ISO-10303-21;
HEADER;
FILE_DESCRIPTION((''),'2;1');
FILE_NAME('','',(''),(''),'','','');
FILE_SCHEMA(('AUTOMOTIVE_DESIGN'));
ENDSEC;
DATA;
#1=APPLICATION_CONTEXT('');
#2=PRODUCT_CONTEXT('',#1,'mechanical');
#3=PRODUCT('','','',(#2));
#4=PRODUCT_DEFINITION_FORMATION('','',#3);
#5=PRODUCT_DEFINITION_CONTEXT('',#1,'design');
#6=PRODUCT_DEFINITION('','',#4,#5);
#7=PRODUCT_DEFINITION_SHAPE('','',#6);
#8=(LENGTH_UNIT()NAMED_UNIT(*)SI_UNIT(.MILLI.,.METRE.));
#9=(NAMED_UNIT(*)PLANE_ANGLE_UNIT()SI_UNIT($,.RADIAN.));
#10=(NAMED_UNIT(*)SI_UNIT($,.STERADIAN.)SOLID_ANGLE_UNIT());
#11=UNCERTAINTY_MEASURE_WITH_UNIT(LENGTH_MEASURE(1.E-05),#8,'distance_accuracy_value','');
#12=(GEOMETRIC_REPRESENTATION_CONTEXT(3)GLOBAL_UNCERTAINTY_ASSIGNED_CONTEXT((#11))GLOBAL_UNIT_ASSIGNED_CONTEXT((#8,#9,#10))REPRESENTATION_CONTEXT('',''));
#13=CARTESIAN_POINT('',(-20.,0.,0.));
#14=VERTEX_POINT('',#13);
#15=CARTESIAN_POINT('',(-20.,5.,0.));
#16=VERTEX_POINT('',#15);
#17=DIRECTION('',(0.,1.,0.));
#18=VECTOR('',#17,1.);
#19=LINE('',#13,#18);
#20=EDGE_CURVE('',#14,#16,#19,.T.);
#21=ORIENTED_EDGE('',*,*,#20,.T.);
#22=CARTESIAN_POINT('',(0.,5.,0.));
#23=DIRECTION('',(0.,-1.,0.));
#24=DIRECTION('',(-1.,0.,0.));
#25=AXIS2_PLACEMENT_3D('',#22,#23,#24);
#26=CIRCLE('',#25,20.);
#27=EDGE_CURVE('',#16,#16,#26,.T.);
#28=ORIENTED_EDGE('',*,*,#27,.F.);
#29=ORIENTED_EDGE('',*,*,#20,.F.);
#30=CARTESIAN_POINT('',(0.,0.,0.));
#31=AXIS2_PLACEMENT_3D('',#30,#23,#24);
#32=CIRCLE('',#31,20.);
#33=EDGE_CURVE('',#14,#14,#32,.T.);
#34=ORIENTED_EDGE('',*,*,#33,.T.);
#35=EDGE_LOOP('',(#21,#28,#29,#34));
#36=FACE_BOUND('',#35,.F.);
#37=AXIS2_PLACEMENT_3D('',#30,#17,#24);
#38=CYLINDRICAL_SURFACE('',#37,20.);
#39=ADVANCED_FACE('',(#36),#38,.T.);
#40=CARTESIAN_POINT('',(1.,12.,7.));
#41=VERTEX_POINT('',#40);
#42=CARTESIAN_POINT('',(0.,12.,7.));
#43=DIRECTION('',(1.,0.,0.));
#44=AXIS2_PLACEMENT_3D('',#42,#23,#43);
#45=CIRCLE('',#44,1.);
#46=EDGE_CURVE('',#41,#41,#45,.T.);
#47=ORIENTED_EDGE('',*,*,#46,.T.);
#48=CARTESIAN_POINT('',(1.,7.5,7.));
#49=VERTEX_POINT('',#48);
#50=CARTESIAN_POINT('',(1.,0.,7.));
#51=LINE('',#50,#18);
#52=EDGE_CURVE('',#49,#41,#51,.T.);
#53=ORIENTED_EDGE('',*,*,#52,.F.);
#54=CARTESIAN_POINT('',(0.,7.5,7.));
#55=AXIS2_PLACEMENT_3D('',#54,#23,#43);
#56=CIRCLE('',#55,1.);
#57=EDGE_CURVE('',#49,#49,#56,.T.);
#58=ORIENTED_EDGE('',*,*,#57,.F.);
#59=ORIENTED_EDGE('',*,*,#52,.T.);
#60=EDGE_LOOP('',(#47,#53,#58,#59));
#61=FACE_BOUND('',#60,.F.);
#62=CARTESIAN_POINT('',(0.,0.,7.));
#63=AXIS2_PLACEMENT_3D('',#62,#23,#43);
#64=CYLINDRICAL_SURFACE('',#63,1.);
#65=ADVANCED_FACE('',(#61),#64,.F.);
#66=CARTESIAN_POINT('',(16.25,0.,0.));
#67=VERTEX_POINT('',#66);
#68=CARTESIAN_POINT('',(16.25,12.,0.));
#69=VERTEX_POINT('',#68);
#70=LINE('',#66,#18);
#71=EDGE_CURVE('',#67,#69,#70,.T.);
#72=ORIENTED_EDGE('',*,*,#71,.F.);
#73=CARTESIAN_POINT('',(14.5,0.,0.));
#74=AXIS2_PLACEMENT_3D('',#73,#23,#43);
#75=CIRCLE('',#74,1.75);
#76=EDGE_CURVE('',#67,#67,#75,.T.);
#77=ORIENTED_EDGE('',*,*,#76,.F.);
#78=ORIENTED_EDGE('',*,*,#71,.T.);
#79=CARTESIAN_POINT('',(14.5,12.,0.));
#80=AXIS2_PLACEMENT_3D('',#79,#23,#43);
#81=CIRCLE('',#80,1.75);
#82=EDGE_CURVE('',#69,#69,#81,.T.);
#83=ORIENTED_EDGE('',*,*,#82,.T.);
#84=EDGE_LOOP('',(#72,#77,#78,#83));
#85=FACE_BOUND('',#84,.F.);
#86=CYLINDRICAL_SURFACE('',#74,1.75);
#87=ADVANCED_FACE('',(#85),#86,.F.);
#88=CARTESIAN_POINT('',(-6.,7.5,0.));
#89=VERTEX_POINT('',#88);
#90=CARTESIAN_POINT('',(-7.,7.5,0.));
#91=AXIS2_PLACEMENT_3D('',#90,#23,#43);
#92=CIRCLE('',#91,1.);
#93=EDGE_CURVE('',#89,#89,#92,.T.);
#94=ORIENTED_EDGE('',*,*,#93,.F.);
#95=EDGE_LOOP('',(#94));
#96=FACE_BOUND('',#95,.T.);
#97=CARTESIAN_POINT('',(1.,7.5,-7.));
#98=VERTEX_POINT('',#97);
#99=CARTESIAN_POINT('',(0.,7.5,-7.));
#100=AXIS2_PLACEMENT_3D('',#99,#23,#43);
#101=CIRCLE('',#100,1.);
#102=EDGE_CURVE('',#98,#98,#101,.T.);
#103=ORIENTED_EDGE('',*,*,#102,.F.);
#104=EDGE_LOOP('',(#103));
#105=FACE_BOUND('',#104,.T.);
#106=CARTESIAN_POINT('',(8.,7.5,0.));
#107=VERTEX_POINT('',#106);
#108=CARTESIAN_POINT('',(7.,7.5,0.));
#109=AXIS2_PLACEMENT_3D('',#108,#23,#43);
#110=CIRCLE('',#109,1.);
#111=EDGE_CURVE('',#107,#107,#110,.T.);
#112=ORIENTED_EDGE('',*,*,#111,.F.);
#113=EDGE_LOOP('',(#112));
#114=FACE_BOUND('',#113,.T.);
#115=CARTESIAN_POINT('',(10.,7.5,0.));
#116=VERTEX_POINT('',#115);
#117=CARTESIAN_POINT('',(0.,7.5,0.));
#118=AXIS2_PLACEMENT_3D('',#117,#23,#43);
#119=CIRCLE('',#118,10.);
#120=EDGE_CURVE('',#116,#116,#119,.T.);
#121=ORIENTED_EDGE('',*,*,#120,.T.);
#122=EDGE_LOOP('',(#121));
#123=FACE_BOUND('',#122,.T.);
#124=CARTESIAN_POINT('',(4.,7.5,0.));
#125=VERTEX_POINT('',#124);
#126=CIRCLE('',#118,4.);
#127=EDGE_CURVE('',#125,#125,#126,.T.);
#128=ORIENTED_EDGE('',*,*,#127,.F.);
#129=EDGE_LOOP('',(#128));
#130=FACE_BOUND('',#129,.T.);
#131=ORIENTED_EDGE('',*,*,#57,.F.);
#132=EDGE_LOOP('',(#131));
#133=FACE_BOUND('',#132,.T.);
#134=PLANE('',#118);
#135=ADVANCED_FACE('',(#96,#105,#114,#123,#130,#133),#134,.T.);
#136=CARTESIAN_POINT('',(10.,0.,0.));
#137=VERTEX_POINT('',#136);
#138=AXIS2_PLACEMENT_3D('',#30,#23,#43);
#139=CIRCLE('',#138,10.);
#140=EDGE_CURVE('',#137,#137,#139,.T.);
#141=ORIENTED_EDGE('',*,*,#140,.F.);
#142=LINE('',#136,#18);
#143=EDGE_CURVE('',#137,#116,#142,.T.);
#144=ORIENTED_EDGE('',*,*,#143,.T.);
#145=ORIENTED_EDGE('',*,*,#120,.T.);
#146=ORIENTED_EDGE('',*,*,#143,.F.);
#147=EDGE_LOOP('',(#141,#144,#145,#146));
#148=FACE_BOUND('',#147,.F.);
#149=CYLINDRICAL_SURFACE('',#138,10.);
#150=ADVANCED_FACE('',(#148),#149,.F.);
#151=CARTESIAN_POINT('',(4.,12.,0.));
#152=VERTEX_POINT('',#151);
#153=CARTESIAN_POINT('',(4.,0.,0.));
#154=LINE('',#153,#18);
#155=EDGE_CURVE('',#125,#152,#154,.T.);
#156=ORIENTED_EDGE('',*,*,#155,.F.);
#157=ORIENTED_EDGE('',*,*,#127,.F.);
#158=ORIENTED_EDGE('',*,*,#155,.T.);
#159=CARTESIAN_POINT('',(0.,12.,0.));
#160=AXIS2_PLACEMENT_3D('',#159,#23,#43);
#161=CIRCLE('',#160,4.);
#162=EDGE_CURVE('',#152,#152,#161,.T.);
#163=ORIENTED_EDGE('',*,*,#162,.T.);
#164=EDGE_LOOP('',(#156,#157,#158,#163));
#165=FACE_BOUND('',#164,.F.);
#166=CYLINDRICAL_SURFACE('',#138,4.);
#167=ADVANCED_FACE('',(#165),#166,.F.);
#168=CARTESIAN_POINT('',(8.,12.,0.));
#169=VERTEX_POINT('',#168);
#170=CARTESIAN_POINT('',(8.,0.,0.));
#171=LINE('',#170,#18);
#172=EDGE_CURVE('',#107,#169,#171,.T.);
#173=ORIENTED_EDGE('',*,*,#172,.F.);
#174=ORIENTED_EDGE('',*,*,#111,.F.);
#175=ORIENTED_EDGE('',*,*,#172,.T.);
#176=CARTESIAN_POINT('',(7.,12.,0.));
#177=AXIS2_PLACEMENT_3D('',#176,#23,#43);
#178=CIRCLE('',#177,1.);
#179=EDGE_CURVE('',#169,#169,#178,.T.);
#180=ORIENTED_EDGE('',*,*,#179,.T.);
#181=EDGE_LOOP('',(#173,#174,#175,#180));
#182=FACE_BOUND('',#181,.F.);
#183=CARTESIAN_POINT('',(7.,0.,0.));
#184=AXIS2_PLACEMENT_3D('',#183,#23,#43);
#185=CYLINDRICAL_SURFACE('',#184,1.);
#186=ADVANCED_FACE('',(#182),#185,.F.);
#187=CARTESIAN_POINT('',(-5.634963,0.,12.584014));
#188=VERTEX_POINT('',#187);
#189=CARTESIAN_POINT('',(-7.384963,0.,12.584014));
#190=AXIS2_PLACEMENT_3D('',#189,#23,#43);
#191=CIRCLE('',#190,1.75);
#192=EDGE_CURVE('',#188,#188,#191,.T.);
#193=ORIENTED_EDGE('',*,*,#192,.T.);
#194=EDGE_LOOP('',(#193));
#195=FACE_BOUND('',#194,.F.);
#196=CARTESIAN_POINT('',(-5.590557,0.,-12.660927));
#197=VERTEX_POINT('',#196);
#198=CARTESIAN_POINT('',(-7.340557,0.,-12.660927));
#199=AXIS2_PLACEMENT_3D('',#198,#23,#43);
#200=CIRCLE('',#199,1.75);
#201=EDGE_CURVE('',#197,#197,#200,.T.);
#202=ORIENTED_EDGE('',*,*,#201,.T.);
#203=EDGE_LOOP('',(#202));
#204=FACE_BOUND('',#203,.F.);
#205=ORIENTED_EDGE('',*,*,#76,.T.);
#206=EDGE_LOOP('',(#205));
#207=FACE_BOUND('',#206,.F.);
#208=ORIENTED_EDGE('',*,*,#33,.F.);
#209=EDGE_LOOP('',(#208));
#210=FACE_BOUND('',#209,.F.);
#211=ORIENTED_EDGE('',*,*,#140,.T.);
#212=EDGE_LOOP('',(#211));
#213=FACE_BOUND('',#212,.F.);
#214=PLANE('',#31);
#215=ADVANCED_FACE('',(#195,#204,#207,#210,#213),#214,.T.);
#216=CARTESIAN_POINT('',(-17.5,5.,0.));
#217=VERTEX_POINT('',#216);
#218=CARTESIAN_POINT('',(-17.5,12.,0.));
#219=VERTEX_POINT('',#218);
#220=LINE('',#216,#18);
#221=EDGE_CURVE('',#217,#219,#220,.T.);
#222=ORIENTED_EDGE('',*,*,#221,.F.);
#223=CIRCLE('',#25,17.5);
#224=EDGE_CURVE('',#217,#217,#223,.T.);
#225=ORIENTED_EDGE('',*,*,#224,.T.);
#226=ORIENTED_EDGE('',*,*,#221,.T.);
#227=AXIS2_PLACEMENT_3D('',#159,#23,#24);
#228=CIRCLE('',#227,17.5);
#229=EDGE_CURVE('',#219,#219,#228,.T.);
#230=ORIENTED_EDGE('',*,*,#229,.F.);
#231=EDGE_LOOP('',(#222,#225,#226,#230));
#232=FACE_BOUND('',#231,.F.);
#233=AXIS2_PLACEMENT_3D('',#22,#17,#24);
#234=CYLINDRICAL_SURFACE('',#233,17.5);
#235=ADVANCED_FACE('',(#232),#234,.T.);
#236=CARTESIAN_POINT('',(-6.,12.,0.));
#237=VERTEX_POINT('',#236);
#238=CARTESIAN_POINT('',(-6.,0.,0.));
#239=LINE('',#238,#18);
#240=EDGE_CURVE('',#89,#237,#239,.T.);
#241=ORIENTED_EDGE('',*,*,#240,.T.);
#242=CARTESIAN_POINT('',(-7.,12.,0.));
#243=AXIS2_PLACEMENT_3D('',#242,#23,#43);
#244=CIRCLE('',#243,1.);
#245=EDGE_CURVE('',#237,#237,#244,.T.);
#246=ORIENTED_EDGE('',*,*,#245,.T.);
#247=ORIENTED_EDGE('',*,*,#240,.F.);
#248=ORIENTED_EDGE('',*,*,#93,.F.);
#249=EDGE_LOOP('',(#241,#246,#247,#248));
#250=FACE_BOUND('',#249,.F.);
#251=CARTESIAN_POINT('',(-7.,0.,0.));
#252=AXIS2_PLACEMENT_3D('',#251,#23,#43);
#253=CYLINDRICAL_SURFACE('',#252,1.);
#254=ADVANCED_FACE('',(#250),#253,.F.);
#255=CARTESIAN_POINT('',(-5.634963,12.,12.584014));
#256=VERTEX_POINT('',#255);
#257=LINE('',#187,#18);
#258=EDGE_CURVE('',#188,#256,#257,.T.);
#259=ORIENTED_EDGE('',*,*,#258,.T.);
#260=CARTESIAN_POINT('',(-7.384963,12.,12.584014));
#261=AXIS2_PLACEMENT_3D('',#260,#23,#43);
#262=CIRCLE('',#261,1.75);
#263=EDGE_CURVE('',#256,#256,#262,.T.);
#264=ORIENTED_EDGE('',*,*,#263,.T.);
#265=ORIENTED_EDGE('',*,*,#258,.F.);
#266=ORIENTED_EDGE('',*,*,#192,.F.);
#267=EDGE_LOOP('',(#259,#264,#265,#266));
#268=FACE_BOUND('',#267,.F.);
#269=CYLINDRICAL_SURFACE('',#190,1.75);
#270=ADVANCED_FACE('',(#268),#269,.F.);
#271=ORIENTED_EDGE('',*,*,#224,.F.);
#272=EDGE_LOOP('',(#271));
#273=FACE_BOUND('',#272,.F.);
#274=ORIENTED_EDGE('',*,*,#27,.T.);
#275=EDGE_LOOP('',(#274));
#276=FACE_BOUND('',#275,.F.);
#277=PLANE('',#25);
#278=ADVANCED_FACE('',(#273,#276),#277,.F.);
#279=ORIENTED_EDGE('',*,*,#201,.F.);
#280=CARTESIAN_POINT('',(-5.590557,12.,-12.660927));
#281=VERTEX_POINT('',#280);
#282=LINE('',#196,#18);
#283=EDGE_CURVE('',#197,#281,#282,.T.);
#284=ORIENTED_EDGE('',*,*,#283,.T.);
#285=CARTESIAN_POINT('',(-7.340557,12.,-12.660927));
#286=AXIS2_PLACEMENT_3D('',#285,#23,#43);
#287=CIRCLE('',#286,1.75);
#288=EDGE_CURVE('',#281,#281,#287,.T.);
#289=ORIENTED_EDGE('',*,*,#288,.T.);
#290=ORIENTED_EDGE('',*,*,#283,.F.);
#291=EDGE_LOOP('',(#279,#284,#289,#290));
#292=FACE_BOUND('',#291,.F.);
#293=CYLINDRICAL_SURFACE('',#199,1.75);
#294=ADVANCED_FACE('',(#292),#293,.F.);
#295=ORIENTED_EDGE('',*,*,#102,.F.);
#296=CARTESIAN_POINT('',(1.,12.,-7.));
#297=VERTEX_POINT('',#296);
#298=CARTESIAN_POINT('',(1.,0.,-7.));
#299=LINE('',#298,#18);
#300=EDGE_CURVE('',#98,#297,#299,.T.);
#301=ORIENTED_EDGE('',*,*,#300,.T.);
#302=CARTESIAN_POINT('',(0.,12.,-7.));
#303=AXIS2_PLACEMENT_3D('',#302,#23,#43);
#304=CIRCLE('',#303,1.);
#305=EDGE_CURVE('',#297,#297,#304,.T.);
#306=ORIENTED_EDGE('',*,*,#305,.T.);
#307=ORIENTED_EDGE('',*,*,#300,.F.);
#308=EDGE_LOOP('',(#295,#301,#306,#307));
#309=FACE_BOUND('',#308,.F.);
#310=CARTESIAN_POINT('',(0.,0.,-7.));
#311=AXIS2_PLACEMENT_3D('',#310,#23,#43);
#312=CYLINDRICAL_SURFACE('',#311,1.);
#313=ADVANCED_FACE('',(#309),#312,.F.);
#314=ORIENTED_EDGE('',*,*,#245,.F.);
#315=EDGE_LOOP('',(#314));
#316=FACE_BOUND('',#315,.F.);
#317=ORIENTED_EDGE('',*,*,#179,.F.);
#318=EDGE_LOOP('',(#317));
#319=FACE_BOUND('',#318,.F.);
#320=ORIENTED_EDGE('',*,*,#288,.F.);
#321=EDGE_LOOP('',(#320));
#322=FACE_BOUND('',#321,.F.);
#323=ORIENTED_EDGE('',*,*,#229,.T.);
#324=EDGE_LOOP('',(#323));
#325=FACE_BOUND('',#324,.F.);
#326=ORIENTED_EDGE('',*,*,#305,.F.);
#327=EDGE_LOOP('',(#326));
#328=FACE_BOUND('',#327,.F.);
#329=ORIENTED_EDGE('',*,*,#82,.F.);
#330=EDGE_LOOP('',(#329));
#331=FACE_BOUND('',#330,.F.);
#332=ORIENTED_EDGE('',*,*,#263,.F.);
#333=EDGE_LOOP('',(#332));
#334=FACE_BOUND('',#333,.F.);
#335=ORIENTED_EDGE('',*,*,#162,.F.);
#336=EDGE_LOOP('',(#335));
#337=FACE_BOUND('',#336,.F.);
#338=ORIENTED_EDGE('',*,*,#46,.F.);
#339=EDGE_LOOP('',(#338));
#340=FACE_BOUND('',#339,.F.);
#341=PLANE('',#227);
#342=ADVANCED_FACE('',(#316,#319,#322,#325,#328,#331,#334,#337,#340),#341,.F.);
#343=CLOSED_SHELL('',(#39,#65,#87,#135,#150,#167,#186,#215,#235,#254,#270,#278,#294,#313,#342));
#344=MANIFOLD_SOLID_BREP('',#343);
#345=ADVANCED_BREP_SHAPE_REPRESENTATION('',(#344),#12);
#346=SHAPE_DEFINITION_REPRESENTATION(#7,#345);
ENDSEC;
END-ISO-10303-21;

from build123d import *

# Parameters (mm, degrees)
SKETCH2_R          = 1.75
SKETCH2_R_2        = 4
SKETCH2_R_3        = 1
CUT_EXTRUDE5_DEPTH = 31.724582991
SKETCH2_7_R        = 10
CUT_EXTRUDE6_DEPTH = 7.5


with BuildPart() as part:
    # Sketch1 → Revolve2 (revolve)
    with BuildSketch(Plane.XY):
        Polygon((-20, 0), (0, 0), (0, 12), (-17.5, 12), (-17.5, 5), (-20, 5), align=None)
    revolve(axis=Axis((0, 12, 0), (0, -1, 0)))

    # Sketch2 → Cut-Extrude5 (cut, through all)
    with BuildSketch(Plane.XZ):
        with Locations((14.5, 0)):
            Circle(SKETCH2_R)
        with Locations((-7.340557342, -12.660927377)):
            Circle(SKETCH2_R)
        with Locations((-7.384963415, 12.584013803)):
            Circle(SKETCH2_R)
        Circle(SKETCH2_R_2)
        with Locations((7, 0)):
            Circle(SKETCH2_R_3)
        with Locations((0, -7)):
            Circle(SKETCH2_R_3)
        with Locations((-7, 0)):
            Circle(SKETCH2_R_3)
        with Locations((0, 7)):
            Circle(SKETCH2_R_3)
    extrude(amount=-CUT_EXTRUDE5_DEPTH, mode=Mode.SUBTRACT)

    # Sketch2<7> → Cut-Extrude6 (cut)
    with BuildSketch(Plane.XZ):
        Circle(SKETCH2_7_R)
    extrude(amount=-CUT_EXTRUDE6_DEPTH, mode=Mode.SUBTRACT)


solid = part.part
